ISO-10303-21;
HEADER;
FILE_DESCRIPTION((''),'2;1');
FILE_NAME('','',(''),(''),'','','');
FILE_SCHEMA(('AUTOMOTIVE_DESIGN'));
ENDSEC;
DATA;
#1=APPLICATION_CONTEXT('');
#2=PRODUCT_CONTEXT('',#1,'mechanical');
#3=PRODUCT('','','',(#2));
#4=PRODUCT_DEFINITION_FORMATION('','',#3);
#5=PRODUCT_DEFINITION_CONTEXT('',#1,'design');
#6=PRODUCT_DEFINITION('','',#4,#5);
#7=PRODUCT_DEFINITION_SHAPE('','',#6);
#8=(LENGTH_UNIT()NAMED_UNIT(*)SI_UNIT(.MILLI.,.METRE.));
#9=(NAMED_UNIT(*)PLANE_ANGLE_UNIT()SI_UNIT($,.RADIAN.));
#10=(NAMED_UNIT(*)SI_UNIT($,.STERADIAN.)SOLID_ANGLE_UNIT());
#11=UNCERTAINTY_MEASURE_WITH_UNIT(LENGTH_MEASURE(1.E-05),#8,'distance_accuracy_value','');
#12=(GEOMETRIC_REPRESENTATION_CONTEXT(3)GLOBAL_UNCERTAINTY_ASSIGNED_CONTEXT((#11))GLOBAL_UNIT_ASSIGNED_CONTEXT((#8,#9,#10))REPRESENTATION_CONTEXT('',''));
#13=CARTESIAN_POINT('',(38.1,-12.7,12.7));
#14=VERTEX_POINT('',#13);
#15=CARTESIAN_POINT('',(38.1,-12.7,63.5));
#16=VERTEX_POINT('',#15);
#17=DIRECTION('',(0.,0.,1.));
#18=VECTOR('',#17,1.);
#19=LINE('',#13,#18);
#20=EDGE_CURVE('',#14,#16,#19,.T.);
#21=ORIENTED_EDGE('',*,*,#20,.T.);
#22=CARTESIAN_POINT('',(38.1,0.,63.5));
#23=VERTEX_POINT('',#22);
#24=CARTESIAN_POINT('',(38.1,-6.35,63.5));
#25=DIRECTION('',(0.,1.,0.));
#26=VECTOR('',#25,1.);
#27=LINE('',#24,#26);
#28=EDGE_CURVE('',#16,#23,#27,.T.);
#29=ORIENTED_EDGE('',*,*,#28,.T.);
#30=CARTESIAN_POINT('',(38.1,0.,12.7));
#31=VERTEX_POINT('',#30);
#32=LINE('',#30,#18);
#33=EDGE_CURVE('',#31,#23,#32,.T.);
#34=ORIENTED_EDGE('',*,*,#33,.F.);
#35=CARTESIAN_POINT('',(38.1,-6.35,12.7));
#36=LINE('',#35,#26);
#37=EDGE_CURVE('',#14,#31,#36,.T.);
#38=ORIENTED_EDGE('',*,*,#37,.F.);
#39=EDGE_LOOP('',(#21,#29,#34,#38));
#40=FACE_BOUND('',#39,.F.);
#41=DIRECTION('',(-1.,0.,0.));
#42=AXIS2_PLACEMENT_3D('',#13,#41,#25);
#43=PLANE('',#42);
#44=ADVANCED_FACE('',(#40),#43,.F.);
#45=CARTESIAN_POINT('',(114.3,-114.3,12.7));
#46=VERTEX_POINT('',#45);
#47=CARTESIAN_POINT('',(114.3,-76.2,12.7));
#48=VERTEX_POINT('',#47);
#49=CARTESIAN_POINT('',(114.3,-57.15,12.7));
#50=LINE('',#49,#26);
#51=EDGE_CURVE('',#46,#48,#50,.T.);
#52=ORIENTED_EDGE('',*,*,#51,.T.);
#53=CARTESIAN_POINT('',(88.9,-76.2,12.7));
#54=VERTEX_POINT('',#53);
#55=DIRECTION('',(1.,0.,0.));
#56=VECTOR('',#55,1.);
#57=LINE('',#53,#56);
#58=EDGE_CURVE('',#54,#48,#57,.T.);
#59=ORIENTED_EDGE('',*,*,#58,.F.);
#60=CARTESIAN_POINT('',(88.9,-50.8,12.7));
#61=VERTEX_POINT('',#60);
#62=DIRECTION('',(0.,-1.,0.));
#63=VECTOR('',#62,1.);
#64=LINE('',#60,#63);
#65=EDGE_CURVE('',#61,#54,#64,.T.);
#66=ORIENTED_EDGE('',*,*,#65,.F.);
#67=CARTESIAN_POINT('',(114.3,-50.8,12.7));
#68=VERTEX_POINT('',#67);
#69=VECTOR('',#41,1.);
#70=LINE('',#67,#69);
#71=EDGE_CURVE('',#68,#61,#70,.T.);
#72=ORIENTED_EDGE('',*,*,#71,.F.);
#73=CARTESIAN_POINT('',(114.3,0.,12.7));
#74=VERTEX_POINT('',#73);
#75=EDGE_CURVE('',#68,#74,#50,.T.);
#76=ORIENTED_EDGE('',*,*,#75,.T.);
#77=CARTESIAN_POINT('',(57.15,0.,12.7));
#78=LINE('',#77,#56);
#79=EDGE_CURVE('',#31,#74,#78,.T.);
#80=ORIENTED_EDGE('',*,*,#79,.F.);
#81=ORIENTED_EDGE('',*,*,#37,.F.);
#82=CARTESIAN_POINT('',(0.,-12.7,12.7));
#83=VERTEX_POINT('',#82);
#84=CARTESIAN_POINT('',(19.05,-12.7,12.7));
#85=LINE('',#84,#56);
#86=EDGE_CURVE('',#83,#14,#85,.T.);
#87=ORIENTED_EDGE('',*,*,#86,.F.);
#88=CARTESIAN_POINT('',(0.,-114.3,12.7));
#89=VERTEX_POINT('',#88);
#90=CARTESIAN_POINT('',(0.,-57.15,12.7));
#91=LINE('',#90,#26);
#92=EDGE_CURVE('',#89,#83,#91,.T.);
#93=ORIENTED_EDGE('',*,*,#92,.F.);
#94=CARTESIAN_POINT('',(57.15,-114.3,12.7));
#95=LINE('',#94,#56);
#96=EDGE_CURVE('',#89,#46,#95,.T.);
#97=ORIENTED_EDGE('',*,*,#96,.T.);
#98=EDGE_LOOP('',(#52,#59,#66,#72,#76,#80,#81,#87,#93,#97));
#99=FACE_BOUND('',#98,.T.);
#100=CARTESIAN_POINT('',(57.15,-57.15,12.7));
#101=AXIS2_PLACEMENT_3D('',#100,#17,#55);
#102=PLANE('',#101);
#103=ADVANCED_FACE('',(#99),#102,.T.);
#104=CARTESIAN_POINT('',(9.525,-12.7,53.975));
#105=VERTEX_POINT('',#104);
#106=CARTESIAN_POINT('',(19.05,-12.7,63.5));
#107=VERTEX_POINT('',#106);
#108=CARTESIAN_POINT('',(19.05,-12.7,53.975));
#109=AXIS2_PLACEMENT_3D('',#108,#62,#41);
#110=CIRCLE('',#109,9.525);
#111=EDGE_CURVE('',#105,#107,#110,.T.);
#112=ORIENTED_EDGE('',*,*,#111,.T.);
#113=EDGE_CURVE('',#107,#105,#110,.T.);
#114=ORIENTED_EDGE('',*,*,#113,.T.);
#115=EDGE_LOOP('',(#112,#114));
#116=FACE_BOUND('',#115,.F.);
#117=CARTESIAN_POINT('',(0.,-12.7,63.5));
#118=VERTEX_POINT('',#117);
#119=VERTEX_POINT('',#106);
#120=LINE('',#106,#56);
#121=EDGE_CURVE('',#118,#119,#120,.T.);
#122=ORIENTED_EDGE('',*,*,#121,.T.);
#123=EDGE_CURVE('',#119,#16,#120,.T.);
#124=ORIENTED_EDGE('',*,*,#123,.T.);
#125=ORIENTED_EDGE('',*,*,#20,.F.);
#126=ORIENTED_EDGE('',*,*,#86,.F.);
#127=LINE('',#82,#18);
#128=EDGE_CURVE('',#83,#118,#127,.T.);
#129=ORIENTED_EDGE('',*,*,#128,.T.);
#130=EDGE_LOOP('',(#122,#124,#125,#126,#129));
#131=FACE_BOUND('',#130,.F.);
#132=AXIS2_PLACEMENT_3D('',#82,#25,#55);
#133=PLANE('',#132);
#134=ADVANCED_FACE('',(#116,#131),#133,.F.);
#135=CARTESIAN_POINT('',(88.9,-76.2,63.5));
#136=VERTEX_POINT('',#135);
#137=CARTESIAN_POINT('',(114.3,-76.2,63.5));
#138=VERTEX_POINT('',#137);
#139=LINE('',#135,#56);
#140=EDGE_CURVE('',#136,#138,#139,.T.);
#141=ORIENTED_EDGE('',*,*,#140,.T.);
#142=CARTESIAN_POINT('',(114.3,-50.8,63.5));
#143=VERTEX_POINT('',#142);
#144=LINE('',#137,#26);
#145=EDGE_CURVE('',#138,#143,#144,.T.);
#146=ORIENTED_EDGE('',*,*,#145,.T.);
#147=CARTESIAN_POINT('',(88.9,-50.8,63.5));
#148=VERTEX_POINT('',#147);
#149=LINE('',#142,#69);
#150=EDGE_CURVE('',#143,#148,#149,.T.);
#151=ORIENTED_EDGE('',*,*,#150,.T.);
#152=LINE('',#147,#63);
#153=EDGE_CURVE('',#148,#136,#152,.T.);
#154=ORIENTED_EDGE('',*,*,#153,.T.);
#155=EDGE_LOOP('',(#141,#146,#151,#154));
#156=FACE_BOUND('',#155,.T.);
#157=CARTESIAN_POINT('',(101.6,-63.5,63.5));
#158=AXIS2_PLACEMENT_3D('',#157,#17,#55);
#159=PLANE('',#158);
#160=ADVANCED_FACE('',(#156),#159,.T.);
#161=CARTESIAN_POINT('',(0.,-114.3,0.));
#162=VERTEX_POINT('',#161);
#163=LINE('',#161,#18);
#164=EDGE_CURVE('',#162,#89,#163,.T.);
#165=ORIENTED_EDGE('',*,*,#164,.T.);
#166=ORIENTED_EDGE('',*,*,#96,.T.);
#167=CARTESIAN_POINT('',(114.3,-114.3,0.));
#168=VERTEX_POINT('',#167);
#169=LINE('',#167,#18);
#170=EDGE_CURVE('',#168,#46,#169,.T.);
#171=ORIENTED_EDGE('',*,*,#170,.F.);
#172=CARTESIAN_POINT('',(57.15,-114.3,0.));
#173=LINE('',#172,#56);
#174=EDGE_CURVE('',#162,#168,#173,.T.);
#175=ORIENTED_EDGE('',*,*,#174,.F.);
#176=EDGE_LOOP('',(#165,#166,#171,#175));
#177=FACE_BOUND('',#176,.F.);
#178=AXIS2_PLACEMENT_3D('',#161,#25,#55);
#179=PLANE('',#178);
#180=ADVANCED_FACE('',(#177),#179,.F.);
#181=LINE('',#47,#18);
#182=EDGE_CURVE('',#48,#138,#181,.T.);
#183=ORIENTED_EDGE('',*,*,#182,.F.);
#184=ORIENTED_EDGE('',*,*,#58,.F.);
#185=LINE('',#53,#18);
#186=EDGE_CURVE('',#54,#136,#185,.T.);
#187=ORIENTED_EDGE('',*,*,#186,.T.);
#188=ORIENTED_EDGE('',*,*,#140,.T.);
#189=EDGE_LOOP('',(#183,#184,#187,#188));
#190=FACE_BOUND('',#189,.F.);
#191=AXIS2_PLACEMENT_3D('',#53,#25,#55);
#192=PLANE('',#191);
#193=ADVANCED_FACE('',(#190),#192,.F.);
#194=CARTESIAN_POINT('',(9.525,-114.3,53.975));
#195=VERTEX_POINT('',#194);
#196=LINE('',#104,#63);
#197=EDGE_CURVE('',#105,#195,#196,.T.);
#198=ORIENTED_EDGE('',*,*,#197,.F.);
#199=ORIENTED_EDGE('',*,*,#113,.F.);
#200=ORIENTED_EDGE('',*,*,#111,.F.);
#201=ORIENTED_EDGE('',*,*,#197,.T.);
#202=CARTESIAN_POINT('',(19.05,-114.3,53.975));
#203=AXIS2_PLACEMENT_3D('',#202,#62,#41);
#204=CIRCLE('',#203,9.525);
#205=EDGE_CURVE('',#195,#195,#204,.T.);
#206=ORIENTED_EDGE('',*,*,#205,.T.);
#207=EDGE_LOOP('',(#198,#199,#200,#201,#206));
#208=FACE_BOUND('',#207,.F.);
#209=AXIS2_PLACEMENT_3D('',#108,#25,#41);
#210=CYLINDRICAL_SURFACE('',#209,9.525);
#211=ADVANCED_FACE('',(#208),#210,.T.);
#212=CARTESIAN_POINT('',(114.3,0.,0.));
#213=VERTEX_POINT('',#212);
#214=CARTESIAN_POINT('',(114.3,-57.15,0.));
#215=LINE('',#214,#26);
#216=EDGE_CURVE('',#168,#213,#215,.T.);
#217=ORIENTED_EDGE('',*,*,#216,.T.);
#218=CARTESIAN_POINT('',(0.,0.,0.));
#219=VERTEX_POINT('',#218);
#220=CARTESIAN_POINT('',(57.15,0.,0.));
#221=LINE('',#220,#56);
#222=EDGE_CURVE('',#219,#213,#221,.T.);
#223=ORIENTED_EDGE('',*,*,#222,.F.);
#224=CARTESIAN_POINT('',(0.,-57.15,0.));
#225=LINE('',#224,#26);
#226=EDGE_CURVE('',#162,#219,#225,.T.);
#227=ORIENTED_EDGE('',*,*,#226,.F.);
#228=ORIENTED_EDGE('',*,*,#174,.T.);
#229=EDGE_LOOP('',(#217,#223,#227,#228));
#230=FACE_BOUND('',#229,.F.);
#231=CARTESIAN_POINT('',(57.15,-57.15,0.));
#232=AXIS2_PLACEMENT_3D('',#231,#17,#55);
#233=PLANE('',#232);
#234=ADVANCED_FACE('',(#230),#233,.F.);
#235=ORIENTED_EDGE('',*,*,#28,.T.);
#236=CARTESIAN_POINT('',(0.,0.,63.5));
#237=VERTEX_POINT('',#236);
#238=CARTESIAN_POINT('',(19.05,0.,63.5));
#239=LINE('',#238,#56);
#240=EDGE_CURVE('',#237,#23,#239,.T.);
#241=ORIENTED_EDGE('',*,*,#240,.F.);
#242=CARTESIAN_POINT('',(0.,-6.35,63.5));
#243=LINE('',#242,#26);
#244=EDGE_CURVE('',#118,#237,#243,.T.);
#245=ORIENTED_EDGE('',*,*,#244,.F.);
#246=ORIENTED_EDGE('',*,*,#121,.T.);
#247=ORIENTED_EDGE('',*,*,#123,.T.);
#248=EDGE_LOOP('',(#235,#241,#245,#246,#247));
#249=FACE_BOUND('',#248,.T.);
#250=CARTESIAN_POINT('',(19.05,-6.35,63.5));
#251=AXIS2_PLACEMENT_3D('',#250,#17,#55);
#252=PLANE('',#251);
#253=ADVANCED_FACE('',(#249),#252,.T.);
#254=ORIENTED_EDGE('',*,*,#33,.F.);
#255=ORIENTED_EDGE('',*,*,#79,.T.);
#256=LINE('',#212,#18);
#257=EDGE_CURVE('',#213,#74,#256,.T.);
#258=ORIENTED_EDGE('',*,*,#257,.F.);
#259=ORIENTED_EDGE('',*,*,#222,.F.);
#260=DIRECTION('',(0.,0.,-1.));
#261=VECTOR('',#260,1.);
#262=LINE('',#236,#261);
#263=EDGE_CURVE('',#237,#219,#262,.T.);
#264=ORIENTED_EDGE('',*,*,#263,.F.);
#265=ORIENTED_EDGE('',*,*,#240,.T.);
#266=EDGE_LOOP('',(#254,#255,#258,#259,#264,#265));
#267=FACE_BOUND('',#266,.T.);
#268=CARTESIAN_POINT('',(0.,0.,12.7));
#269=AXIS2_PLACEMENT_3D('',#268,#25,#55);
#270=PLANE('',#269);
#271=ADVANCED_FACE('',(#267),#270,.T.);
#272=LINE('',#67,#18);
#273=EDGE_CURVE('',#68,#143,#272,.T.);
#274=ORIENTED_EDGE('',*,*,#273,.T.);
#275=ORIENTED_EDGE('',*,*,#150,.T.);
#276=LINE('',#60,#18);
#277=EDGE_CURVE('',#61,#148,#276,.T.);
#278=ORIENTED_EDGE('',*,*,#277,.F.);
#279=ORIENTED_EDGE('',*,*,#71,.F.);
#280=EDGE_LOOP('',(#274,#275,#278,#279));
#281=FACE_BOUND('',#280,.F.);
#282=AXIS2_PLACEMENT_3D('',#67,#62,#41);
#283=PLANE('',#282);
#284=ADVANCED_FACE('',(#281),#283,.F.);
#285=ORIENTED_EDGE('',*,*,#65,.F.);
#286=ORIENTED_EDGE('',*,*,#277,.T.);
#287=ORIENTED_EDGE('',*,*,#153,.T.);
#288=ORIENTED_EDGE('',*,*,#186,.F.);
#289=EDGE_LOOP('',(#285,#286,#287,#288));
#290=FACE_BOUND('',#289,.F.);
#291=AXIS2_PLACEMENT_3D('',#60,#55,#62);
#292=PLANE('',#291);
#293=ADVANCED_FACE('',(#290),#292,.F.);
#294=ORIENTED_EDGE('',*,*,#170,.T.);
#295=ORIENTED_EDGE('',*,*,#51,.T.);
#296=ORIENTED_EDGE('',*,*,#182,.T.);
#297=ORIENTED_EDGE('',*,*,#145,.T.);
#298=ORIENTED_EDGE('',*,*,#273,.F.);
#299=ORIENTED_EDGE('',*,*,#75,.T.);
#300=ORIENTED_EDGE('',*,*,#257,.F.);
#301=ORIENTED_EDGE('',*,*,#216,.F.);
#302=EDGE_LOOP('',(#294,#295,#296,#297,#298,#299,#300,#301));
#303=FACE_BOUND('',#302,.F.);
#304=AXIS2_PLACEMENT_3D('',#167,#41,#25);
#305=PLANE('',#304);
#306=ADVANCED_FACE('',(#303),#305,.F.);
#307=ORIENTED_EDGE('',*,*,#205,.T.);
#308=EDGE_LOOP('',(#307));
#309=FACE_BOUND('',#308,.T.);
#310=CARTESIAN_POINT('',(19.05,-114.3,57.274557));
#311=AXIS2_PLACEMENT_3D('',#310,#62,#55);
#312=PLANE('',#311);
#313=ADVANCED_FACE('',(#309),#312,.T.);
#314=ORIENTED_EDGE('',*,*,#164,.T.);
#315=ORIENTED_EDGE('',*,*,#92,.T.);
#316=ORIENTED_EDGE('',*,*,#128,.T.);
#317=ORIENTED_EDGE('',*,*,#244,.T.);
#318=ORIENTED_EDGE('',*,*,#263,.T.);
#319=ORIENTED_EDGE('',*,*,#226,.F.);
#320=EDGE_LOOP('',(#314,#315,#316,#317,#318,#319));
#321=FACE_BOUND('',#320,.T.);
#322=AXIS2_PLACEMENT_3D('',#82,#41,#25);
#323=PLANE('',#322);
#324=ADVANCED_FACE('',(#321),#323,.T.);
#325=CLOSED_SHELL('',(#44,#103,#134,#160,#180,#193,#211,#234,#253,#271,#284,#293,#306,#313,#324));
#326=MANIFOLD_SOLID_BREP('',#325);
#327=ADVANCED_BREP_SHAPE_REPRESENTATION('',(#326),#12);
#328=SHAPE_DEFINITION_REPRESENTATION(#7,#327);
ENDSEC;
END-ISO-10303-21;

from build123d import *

# Parameters (mm, degrees)
F0_W     = 114.3
F0_H     = 114.3
F1_DEPTH = 12.7
F2_W     = 38.1
F2_H     = 12.7
F3_DEPTH = 50.8
F5_DEPTH = 101.6
F7_DEPTH = 50.8


with BuildPart() as f1:
    # F0 (on Top) → F1 (new body)
    with BuildSketch(Plane.XY):
        with Locations((57.15, -57.15)):
            Rectangle(F0_W, F0_H)
    extrude(amount=F1_DEPTH)

    # F2 (on face) → F3 (join)
    with BuildSketch(Plane.XY.offset(12.7)):
        with Locations((19.05, -6.35)):
            Rectangle(F2_W, F2_H)
    extrude(amount=F3_DEPTH)

    # F4 (on face) → F5 (join, through all)
    with BuildSketch(Plane.XZ.offset(12.7)):
        with BuildLine():
            Line((9.525, 53.975), (28.575, 53.975))
            ThreePointArc((28.575, 53.975), (19.05, 63.5), (9.525, 53.975))
        make_face()
        with BuildLine():
            ThreePointArc((9.525, 53.975), (19.05, 44.45), (28.575, 53.975))
            Line((28.575, 53.975), (9.525, 53.975))
        make_face()
    extrude(amount=F5_DEPTH)

    # F6 (on face) → F7 (join, through all)
    with BuildSketch(Plane.XY.offset(12.7)):
        Polygon((114.3, -76.2), (114.3, -50.8), (88.9, -50.8), (88.9, -63.5), (88.9, -76.2), align=None)
    extrude(amount=F7_DEPTH)


solid = f1.part
